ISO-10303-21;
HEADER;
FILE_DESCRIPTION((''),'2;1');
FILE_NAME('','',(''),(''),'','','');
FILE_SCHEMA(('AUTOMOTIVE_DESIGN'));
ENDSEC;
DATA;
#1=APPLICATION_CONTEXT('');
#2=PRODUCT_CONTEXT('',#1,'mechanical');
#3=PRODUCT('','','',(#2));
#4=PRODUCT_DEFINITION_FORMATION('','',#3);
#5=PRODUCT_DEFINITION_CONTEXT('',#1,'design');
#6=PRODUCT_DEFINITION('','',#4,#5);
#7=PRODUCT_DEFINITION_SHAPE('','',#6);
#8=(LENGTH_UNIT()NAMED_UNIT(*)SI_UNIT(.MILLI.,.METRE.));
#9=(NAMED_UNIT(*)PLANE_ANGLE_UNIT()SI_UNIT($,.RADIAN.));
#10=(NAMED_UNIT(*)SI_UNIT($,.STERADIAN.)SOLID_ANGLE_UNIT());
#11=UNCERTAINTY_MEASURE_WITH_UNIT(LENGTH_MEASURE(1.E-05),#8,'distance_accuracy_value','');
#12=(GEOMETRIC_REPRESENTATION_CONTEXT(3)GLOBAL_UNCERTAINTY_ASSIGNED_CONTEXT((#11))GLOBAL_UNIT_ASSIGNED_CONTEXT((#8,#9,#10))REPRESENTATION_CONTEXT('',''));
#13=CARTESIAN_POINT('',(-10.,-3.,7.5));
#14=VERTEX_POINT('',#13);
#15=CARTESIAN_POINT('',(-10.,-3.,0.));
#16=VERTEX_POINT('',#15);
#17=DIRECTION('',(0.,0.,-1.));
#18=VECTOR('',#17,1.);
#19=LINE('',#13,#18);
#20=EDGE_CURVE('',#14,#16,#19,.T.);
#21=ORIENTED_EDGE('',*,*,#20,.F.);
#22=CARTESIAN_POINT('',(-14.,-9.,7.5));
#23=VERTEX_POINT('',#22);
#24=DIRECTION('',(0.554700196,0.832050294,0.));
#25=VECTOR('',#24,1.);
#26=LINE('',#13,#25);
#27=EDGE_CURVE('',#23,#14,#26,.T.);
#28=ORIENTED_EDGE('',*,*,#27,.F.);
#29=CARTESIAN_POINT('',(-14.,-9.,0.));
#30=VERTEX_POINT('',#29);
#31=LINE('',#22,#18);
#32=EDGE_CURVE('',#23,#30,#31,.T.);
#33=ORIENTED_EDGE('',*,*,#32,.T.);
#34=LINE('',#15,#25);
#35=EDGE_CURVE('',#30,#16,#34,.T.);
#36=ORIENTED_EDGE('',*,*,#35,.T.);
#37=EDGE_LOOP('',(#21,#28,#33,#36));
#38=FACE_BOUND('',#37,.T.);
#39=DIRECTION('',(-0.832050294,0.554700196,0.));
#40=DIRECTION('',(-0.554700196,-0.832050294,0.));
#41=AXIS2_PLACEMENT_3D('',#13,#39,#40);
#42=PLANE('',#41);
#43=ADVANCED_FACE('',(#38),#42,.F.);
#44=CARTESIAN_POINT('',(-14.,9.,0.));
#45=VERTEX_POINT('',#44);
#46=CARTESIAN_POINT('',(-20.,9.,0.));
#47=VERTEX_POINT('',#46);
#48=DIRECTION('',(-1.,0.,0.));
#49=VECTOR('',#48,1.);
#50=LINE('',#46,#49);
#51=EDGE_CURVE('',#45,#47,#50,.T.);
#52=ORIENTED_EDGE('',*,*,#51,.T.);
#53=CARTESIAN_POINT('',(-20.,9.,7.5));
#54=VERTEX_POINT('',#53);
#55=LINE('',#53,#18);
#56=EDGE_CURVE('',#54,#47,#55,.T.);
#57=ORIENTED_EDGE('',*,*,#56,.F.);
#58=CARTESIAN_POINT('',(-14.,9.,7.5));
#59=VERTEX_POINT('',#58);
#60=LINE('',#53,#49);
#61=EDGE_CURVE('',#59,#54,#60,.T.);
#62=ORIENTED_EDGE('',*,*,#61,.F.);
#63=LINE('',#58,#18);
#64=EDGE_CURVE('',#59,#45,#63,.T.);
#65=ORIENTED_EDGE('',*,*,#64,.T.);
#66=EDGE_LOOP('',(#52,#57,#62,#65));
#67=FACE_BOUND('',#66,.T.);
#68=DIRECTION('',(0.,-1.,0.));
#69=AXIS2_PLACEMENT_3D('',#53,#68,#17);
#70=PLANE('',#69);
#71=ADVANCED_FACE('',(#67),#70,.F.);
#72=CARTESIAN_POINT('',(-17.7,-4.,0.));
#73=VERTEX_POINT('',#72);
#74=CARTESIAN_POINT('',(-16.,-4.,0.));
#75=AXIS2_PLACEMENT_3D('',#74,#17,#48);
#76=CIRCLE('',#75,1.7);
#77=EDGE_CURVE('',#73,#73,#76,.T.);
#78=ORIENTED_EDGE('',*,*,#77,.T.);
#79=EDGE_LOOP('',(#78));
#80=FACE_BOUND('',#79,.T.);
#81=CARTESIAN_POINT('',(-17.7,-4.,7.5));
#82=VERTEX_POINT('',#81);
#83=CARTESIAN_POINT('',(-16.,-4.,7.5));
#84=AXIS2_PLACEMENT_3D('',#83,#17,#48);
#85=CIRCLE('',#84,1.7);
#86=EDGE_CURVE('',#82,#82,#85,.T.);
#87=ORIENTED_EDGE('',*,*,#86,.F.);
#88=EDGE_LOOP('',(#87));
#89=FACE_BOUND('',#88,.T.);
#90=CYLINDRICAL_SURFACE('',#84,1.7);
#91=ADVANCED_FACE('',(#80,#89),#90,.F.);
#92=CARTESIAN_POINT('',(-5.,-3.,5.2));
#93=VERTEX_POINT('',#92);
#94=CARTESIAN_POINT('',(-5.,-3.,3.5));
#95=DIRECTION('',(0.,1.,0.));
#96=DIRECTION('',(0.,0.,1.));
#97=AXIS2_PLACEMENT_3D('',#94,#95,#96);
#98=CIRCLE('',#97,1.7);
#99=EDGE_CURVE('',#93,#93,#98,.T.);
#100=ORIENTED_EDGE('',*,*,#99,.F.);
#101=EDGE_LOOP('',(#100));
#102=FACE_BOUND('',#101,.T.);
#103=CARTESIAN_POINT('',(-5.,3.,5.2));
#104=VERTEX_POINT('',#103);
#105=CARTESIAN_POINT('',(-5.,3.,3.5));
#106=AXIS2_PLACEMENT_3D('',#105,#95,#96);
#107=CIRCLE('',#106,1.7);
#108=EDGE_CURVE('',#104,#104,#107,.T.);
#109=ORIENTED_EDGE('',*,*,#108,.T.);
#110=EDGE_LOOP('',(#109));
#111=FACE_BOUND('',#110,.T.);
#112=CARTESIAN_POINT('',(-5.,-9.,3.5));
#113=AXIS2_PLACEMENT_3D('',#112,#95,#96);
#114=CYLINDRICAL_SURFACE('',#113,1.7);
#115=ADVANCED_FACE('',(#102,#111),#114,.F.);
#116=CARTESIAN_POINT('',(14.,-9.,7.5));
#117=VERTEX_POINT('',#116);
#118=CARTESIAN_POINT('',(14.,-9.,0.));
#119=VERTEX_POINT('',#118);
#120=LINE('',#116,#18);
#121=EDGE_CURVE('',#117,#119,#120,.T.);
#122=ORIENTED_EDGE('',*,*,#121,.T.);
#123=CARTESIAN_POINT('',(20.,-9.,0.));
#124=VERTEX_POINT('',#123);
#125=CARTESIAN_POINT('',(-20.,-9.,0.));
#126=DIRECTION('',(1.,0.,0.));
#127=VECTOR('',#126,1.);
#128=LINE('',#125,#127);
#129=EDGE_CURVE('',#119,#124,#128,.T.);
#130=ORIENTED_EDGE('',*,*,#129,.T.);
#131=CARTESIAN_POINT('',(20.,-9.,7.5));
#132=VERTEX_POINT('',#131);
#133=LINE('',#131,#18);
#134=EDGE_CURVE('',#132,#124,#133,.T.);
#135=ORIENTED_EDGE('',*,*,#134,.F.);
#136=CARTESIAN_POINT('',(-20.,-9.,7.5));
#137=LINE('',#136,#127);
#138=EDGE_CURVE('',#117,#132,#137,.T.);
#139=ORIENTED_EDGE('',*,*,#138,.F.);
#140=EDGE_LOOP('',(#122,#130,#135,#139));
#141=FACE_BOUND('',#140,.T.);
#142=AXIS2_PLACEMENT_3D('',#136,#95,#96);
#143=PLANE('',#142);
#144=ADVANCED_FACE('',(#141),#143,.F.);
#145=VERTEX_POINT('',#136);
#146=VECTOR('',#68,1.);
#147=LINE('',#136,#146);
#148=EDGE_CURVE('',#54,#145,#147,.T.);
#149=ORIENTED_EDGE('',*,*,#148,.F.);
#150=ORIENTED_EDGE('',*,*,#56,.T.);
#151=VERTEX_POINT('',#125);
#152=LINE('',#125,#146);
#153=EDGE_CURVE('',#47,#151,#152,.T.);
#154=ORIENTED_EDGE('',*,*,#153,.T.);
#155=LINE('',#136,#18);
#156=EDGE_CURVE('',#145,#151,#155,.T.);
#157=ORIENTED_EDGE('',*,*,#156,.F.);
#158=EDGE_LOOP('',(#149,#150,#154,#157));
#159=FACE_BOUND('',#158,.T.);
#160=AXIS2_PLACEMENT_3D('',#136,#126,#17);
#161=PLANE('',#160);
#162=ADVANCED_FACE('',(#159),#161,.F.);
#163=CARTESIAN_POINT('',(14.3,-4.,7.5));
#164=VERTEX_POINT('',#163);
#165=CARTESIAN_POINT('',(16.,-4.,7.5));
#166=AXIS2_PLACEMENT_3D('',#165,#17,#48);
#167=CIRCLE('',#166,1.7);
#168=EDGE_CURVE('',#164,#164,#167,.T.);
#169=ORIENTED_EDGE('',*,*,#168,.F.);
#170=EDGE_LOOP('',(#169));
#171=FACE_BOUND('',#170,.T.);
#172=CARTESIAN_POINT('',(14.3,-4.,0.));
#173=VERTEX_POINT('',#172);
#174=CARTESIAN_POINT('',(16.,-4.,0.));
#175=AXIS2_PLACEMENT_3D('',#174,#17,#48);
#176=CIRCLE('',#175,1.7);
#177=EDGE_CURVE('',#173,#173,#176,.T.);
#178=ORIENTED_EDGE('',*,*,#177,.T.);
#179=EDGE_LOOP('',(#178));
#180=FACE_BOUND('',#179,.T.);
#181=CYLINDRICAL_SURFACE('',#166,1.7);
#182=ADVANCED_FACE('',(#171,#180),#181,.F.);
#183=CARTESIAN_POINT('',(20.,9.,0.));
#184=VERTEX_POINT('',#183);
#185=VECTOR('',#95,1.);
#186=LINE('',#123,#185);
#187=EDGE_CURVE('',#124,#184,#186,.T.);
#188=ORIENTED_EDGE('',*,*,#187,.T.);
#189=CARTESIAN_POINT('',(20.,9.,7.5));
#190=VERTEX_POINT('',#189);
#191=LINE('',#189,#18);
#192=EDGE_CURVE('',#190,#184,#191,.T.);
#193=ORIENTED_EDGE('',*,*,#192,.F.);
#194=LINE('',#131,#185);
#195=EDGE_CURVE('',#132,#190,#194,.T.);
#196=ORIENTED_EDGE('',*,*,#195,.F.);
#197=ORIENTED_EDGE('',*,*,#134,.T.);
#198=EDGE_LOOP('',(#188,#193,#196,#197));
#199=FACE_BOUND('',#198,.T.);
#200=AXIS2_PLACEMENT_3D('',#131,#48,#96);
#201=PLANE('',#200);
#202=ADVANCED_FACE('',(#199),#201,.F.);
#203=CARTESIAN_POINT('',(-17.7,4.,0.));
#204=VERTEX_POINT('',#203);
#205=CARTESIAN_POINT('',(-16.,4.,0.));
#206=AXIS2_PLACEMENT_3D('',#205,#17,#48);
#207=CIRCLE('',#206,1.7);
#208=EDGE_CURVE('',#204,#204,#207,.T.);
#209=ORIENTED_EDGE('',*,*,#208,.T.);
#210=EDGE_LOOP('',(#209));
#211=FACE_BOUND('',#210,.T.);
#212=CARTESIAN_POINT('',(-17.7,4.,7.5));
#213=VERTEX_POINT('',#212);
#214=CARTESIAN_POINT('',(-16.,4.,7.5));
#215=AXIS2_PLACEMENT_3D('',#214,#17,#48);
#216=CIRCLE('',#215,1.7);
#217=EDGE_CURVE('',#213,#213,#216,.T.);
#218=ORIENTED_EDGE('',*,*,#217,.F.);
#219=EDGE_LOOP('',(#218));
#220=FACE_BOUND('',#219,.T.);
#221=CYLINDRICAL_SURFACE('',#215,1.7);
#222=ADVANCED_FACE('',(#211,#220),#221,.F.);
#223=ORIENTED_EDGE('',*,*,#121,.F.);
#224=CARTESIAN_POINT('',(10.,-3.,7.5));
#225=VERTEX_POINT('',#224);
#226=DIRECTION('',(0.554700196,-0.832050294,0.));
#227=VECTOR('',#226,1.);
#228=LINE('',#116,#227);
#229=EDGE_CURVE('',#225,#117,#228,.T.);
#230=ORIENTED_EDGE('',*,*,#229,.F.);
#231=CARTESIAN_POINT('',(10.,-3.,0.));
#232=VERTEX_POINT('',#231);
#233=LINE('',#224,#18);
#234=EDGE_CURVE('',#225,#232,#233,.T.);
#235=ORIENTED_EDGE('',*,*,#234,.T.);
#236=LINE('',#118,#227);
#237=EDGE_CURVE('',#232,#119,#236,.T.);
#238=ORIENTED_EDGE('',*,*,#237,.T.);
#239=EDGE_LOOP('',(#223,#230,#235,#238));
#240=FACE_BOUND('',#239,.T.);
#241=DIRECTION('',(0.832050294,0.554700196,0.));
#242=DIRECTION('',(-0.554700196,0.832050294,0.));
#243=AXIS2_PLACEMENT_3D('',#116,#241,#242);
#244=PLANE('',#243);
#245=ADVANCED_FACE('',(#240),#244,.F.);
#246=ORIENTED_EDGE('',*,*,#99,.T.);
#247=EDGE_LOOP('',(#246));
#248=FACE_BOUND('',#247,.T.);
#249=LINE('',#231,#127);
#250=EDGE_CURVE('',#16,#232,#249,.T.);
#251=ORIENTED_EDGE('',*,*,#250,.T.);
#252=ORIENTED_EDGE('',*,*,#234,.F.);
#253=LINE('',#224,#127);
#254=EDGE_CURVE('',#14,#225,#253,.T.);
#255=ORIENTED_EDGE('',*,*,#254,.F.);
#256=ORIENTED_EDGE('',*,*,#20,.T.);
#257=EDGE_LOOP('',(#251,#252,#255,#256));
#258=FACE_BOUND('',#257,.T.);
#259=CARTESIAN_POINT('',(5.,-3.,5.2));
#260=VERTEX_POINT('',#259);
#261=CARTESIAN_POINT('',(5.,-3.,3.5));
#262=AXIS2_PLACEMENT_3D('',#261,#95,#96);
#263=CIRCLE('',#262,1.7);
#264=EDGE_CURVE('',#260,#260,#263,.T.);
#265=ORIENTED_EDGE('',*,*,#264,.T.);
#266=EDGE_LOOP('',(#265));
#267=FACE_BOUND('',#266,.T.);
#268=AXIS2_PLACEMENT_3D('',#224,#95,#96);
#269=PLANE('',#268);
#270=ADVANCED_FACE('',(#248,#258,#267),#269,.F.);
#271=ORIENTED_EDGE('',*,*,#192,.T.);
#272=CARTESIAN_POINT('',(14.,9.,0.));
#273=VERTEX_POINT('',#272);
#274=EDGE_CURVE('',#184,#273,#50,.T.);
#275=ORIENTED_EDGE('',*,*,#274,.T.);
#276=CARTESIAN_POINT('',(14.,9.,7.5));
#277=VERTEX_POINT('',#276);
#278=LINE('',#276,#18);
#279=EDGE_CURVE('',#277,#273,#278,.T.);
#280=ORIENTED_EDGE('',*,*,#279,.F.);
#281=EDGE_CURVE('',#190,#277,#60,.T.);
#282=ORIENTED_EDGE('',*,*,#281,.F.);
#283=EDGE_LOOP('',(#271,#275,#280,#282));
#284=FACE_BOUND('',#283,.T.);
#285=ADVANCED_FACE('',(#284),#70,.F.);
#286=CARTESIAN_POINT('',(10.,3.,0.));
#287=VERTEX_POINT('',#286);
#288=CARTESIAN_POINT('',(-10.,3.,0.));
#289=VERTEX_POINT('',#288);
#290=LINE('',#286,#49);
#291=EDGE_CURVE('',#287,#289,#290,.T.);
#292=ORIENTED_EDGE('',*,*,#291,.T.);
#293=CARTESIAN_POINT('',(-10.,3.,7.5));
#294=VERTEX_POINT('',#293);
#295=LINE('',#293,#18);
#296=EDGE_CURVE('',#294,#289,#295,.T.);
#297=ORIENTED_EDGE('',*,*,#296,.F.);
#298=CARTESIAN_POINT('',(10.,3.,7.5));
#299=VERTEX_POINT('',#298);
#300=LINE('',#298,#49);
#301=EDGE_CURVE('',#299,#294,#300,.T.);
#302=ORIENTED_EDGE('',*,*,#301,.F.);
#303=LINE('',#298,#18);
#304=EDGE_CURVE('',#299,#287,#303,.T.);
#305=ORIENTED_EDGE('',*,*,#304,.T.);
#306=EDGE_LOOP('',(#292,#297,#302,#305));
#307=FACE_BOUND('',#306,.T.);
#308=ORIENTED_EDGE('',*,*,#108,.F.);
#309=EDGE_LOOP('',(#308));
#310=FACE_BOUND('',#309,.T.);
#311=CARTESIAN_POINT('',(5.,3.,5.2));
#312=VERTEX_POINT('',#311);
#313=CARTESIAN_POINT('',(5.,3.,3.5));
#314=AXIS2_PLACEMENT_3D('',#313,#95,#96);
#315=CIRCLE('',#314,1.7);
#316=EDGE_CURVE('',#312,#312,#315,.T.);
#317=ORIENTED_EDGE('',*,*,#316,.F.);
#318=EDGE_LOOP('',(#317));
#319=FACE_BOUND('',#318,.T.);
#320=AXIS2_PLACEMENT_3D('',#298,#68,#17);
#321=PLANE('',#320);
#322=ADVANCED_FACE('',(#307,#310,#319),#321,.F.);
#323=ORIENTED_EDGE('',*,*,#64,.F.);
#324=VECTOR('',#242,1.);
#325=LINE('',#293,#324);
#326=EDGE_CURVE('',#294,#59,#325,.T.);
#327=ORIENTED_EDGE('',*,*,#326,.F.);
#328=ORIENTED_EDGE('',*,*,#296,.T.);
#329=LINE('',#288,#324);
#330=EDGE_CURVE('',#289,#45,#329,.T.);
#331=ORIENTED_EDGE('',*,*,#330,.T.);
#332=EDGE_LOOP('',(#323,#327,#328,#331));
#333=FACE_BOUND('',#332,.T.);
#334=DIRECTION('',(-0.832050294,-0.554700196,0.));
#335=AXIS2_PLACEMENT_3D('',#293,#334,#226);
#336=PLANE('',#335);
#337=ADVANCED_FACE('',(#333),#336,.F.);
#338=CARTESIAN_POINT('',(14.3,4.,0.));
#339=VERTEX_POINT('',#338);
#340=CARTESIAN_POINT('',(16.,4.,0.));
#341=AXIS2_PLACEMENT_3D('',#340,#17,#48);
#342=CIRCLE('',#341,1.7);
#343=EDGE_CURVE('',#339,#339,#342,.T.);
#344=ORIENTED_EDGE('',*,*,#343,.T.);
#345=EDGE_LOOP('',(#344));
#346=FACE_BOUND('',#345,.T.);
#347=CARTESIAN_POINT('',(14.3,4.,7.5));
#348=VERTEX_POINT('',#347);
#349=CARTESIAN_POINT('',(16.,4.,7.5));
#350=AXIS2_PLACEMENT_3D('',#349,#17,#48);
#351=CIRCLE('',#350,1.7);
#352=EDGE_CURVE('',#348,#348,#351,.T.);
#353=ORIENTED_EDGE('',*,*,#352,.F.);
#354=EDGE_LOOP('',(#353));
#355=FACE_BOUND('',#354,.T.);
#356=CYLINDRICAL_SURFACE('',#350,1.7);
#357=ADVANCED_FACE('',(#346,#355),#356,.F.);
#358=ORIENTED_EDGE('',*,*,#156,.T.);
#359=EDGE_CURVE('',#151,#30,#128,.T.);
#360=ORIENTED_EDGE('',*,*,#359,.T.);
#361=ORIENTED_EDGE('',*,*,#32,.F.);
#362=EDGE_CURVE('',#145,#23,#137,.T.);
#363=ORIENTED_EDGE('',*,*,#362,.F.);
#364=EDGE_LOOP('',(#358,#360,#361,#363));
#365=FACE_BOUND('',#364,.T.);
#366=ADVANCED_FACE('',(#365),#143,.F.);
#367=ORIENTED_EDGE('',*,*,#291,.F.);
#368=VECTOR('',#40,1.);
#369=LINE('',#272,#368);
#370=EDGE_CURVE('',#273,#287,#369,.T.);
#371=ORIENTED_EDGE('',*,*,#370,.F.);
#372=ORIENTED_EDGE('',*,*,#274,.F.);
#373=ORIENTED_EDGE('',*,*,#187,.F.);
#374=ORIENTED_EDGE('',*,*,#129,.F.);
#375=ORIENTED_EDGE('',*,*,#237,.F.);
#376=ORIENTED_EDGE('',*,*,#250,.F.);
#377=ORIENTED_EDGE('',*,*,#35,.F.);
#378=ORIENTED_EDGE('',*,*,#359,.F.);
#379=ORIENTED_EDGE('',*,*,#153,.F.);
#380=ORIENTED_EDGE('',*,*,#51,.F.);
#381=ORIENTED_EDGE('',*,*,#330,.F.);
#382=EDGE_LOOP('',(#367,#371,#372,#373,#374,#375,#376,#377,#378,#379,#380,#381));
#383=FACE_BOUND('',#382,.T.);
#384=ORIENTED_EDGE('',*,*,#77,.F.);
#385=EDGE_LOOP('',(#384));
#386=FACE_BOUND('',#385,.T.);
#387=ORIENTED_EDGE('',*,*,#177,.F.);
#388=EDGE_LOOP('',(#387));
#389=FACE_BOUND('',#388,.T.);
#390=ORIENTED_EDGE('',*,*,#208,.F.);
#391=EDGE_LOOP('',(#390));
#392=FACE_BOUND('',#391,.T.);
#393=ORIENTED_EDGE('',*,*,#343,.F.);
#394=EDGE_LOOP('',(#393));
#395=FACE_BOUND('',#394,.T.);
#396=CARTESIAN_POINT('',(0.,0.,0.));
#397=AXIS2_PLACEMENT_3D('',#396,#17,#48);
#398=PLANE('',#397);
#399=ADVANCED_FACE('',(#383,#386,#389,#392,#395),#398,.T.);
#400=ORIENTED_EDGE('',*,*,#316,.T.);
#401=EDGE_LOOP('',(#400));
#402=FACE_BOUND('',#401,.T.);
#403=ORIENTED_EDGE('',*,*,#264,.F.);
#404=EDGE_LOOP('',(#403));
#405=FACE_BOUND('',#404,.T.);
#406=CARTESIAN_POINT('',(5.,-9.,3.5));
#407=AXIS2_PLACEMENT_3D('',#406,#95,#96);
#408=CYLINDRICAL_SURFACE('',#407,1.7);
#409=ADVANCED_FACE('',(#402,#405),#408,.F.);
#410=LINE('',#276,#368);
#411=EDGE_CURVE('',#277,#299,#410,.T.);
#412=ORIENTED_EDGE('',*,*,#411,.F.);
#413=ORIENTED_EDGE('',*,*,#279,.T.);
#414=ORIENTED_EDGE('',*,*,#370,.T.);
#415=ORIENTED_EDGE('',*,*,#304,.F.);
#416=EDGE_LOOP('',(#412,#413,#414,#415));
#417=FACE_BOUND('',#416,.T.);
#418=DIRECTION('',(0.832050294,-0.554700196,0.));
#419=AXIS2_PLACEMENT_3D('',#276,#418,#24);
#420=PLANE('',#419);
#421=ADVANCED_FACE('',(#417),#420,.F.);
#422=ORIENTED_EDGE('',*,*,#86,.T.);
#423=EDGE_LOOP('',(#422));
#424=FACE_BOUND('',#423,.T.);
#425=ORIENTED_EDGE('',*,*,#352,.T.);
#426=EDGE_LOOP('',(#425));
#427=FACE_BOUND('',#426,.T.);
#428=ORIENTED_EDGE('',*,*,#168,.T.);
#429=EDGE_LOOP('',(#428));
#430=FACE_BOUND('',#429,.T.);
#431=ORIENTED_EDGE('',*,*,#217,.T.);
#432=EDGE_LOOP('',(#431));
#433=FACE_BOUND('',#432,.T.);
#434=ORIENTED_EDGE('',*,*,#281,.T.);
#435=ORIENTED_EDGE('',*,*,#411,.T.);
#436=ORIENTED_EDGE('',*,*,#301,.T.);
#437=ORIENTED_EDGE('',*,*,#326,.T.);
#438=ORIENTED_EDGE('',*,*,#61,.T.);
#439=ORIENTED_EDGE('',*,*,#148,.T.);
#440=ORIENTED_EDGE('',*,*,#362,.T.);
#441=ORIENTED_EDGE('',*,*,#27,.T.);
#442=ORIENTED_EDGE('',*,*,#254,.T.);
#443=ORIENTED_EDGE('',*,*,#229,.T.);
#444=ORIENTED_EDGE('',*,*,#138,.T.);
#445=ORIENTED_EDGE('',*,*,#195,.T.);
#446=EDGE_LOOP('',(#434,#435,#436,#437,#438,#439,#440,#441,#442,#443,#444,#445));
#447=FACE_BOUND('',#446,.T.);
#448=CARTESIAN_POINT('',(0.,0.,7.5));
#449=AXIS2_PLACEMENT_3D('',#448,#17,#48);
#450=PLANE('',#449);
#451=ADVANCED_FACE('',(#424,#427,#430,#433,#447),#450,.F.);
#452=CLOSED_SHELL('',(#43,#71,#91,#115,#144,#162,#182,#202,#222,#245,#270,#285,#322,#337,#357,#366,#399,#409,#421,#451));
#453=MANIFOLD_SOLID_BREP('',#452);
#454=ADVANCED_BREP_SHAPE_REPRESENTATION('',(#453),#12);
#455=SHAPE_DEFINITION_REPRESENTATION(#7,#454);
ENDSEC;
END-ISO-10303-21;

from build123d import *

# Parameters (mm, degrees)
SKETCH1_W           = 40
SKETCH1_H           = 18
BOSS_EXTRUDE1_DEPTH = 7.5
SKETCH2_R           = 1.7
CUT_EXTRUDE1_DEPTH  = 24.178653973
SKETCH3_R           = 1.7
CUT_EXTRUDE2_DEPTH  = 25.5


with BuildPart() as part:
    # Sketch1 → Boss-Extrude1 (new body)
    with BuildSketch(Plane.XY):
        Rectangle(SKETCH1_W, SKETCH1_H)
    extrude(amount=BOSS_EXTRUDE1_DEPTH)

    # Sketch2 → Cut-Extrude1 (cut, through all)
    with BuildSketch(Plane(origin=(0, 0, 0), x_dir=(-1, 0, 0), z_dir=(0, 0, -1))):
        with Locations((-16, 4)):
            Circle(SKETCH2_R)
        with Locations((-16, -4)):
            Circle(SKETCH2_R)
        with Locations((16, 4)):
            Circle(SKETCH2_R)
        with Locations((16, -4)):
            Circle(SKETCH2_R)
        Polygon((10, -3), (14, -9), (-14, -9), (-10, -3), align=None)
        Polygon((-14, 9), (-10, 3), (10, 3), (14, 9), align=None)
    extrude(amount=-CUT_EXTRUDE1_DEPTH, mode=Mode.SUBTRACT)

    # Sketch3 → Cut-Extrude2 (cut, through all)
    with BuildSketch(Plane(origin=(0, 3, 0), x_dir=(1, 0, 0), z_dir=(0, 1, 0))):
        with Locations(Location((-5, -3.5, 0), (0, 0, 270))):
            Circle(SKETCH3_R)
        with Locations(Location((5, -3.5, 0), (0, 0, 270))):
            Circle(SKETCH3_R)
    extrude(amount=-CUT_EXTRUDE2_DEPTH, mode=Mode.SUBTRACT)


solid = part.part
